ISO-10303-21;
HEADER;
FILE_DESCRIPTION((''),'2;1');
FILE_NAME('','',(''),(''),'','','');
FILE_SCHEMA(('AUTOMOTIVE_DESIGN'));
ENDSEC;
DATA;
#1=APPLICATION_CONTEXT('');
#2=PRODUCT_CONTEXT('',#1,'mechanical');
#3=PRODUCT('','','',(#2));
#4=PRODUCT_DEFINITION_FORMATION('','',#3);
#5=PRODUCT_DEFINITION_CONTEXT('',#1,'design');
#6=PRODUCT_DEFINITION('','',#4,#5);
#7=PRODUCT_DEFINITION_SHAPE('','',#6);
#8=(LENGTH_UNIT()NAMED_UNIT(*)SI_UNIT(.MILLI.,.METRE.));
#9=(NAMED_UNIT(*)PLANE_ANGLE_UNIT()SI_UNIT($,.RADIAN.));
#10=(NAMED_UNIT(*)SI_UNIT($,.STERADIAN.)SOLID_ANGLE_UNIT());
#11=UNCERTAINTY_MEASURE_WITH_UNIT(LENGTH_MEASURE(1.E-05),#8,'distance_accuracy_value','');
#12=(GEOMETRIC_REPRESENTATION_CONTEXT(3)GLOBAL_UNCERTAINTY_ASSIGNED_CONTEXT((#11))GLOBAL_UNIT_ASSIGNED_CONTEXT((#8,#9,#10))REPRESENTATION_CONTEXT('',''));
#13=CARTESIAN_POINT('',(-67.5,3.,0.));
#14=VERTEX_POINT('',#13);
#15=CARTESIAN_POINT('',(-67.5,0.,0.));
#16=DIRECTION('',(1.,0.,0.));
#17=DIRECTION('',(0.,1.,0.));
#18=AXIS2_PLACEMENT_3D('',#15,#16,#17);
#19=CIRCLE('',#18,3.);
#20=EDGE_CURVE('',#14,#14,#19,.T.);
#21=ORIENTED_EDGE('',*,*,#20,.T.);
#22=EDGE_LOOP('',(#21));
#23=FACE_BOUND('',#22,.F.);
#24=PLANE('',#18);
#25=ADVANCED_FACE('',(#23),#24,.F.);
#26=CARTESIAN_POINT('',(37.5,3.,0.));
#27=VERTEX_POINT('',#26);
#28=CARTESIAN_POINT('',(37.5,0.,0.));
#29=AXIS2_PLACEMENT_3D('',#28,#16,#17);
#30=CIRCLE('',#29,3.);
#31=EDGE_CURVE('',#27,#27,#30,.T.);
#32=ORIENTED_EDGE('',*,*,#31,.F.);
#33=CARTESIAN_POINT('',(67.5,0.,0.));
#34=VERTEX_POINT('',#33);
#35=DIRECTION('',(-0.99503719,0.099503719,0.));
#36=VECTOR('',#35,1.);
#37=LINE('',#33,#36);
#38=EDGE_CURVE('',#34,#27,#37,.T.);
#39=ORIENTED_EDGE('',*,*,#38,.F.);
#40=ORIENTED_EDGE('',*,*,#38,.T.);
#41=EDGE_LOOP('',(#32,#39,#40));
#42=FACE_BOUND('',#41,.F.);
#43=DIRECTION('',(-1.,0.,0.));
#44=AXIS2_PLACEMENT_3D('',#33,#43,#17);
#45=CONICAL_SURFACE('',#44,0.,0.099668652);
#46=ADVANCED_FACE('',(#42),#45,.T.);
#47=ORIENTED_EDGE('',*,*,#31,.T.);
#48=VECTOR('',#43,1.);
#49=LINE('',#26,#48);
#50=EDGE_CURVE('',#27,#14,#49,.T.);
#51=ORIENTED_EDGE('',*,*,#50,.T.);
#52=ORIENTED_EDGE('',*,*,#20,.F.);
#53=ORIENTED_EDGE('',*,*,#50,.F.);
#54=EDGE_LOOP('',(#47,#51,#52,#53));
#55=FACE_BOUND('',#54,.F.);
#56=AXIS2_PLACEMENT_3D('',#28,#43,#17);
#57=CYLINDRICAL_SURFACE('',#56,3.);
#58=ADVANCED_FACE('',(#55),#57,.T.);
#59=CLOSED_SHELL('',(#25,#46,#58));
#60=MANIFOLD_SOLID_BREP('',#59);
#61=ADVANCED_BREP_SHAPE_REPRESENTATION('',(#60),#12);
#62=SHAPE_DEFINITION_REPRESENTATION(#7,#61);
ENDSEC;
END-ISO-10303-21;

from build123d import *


with BuildPart() as part:
    # Sketch1 → Revolve1 (revolve)
    with BuildSketch(Plane.XY):
        Polygon((-67.5, 0), (67.5, 0), (37.5, 3), (-67.5, 3), align=None)
    revolve(axis=Axis((-67.5, 0, 0), (1, 0, 0)))


solid = part.part
